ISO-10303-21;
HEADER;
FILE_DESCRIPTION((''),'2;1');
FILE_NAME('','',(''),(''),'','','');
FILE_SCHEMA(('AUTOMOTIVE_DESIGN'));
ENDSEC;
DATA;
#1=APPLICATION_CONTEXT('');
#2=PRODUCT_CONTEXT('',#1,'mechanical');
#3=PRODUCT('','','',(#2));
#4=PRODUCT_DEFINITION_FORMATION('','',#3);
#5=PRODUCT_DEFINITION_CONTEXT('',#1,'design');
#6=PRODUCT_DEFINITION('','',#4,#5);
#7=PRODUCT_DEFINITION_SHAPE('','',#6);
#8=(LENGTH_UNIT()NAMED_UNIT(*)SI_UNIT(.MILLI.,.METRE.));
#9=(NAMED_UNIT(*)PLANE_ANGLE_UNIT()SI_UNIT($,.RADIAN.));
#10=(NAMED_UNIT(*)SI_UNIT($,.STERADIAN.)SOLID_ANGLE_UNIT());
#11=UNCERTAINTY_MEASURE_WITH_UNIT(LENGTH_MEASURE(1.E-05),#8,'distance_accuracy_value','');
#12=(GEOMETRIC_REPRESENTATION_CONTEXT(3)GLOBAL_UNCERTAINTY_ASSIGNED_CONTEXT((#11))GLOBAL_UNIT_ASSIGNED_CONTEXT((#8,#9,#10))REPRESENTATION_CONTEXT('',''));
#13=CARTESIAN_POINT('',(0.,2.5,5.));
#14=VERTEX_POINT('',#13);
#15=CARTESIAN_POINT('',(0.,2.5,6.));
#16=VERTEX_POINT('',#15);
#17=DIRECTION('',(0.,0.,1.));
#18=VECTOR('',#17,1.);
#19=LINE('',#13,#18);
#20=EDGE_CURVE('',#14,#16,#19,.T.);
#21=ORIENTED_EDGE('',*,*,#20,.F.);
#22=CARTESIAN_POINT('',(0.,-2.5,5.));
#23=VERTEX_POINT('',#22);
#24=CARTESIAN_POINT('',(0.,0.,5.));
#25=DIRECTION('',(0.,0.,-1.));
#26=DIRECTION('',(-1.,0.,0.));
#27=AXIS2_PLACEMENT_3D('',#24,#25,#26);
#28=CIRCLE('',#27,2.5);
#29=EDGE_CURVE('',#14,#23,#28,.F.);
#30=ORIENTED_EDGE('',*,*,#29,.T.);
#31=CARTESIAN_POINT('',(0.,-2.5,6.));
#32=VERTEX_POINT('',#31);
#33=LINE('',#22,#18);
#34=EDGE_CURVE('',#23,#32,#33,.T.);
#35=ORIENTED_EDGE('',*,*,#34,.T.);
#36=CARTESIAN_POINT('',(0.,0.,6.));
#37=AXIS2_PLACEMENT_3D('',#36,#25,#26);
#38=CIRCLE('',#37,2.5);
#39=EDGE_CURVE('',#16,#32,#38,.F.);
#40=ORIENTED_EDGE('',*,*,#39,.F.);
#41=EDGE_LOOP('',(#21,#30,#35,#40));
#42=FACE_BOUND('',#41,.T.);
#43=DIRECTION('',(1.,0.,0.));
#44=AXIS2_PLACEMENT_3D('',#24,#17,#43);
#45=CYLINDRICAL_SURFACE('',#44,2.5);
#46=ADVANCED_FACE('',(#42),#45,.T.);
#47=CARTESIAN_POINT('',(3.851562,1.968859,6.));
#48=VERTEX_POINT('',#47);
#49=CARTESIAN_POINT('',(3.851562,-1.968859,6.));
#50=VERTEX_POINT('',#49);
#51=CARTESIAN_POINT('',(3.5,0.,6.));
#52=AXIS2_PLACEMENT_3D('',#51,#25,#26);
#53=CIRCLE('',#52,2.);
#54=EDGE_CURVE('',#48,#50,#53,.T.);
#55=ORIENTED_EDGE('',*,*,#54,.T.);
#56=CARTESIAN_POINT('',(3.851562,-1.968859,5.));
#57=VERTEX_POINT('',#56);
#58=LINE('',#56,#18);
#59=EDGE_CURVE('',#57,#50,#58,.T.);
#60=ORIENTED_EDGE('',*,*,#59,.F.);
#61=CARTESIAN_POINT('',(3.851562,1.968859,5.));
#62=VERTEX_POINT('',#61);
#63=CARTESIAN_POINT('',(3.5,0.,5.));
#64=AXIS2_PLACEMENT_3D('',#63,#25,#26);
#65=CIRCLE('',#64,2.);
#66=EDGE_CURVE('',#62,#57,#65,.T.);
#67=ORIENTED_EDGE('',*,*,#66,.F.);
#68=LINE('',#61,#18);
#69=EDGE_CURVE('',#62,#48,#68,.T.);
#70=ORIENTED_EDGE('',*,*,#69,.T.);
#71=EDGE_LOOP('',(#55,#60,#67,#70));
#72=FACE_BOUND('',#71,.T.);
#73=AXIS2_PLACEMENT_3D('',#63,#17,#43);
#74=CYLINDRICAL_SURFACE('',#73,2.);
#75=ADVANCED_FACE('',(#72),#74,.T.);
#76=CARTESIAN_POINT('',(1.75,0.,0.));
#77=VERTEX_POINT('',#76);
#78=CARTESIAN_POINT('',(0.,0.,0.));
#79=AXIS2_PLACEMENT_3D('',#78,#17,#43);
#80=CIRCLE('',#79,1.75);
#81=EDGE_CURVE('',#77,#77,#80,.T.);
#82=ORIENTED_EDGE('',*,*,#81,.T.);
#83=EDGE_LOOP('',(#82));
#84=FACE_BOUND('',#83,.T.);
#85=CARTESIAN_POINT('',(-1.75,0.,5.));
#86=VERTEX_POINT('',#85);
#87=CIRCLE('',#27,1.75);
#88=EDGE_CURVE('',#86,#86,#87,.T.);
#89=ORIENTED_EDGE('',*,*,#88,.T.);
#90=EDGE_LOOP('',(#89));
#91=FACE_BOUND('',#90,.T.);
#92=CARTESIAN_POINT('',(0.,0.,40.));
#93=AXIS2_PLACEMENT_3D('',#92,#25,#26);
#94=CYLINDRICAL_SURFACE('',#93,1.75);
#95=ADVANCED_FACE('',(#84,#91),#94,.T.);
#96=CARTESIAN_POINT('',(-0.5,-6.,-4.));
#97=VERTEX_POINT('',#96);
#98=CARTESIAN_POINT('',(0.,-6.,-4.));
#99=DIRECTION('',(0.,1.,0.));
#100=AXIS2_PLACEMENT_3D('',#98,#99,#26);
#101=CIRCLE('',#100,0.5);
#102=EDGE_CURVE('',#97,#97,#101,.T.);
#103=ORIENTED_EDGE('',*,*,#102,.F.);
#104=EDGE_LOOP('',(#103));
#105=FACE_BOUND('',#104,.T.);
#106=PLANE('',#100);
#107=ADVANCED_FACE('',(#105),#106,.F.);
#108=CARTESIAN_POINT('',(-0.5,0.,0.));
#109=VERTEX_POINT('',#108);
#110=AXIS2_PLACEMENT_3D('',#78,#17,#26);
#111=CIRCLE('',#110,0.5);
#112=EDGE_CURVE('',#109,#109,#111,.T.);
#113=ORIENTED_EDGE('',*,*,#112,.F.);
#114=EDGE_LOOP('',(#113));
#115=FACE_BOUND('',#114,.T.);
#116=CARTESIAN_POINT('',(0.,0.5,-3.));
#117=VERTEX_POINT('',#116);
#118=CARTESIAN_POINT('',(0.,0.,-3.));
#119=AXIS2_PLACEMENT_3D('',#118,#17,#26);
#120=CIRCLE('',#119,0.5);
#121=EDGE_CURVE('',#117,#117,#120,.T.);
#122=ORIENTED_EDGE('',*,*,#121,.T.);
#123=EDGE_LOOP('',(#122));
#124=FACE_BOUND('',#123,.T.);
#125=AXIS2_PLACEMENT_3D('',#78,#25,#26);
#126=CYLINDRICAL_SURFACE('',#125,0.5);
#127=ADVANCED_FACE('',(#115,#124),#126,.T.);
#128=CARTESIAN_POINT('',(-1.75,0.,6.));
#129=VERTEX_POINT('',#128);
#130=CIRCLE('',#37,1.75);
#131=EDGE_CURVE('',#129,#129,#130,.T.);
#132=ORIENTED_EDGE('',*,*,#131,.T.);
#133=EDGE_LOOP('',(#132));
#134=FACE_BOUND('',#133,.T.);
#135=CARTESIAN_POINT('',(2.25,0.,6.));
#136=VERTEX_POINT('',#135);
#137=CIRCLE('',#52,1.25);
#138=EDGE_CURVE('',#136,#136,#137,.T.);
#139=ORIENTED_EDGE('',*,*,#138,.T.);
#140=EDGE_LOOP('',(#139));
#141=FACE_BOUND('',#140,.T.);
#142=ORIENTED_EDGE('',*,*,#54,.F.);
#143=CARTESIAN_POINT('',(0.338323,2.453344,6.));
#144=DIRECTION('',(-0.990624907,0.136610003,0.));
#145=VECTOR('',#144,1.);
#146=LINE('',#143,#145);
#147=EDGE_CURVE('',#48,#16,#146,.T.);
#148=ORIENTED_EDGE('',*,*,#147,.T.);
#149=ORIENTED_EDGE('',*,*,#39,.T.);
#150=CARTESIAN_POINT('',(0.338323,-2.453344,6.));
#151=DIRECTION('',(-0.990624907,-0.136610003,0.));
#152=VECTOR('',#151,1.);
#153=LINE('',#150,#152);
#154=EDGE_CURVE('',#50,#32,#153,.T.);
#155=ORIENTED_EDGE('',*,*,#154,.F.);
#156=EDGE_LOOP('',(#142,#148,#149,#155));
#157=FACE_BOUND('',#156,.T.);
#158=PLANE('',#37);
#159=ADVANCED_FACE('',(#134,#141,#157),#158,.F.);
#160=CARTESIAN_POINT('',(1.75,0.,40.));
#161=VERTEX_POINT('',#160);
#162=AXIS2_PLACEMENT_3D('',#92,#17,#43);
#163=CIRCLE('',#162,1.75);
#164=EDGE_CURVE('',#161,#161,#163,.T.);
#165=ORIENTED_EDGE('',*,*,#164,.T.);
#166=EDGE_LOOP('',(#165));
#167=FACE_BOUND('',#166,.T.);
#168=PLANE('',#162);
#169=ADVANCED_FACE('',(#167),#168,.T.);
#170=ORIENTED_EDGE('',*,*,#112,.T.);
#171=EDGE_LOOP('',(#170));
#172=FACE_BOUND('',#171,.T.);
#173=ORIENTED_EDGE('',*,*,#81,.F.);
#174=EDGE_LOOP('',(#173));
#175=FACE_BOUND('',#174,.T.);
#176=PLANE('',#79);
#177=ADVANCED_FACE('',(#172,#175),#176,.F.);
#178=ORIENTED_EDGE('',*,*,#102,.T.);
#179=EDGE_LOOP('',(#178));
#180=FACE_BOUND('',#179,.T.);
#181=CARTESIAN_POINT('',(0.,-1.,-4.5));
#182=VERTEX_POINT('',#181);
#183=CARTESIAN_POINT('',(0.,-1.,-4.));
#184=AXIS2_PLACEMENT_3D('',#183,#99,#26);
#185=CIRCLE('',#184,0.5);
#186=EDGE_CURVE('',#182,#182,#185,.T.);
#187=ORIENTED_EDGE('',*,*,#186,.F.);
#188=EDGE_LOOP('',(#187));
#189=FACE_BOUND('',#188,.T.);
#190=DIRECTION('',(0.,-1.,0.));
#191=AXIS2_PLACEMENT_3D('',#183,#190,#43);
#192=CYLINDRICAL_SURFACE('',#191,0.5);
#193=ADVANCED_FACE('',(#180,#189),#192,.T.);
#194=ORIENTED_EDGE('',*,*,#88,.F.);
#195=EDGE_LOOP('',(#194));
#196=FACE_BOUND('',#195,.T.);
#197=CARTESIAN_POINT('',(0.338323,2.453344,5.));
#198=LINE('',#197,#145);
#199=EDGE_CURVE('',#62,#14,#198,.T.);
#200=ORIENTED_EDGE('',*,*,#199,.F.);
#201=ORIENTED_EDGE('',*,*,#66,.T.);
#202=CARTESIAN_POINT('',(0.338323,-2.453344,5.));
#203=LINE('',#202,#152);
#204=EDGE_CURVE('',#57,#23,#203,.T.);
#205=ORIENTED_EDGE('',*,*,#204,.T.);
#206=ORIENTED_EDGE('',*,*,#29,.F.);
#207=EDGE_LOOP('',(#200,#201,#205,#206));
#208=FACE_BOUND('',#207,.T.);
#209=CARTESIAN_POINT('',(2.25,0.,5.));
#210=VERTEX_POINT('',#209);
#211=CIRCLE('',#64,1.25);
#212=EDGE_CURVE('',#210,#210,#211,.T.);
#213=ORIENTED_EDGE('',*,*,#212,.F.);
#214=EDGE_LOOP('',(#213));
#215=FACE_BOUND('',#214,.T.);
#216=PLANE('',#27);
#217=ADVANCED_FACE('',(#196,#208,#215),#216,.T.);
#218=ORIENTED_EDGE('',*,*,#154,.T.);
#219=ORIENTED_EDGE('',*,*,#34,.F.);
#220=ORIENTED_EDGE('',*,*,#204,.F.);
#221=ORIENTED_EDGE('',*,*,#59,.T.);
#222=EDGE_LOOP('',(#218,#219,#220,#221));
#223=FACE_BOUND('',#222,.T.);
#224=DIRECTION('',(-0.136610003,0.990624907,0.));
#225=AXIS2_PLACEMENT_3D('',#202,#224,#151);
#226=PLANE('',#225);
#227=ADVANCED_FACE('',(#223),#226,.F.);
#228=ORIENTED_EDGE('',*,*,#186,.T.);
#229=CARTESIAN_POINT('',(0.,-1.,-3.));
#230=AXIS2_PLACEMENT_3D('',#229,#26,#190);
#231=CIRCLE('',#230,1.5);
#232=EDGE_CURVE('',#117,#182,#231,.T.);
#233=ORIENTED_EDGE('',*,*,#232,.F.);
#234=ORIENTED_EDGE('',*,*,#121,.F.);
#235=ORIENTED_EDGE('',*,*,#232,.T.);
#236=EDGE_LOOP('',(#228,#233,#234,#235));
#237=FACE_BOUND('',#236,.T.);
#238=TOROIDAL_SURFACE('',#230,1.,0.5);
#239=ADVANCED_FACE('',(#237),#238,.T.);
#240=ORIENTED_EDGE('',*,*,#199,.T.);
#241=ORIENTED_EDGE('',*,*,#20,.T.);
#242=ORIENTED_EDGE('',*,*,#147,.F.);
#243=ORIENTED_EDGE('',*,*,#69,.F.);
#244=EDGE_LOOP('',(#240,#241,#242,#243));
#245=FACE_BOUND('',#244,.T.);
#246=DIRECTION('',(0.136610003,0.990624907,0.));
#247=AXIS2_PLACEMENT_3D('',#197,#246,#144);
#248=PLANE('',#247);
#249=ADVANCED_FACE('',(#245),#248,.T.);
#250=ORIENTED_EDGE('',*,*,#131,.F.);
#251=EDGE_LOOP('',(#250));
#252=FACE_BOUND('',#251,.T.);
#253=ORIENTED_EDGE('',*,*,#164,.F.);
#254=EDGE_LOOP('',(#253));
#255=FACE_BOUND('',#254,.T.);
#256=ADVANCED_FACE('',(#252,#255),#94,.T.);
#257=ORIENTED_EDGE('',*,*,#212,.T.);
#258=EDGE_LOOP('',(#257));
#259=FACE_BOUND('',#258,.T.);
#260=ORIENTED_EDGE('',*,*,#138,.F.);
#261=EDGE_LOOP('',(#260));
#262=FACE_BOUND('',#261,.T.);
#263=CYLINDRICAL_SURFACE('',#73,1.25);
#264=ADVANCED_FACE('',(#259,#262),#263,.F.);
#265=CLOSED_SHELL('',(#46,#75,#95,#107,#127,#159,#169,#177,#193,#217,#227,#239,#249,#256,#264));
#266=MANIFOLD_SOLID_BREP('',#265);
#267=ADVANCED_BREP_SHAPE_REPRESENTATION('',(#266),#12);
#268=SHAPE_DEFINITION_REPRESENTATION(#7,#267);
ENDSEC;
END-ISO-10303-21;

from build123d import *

# Parameters (mm, degrees)
SKETCH1_R           = 1.75
BOSS_EXTRUDE1_DEPTH = 40
SWEEP1_PROFILE_R    = 0.5
SKETCH16_R          = 1.25
BOSS_EXTRUDE2_DEPTH = 1


with BuildPart() as part:
    # Sketch1 → Boss-Extrude1 (new body)
    with BuildSketch(Plane.XY):
        Circle(SKETCH1_R)
    extrude(amount=BOSS_EXTRUDE1_DEPTH)

    # Sweep1: sweep along a curve in space
    with BuildLine() as sweep1_path:
        Line((0, 0, 0), (0, 0, -3))
        ThreePointArc((0, 0, -3), (0, -0.292893219, -3.707106781), (0, -1, -4))
        Line((0, -1, -4), (0, -6, -4))
    # Sweep1 profile (on start of the path) → Sweep1 (sweep)
    with BuildSketch(Plane(origin=(0, 0, 0), x_dir=(-1, 0, 0), z_dir=(0, 0, -1))):
        Circle(SWEEP1_PROFILE_R)
    sweep(path=sweep1_path.line)

    # Sketch16 → Boss-Extrude2 (add)
    with BuildSketch(Plane(origin=(0, 0, 6), x_dir=(-1, 0, 0), z_dir=(0, 0, -1))):
        with BuildLine():
            Line((-3.851561771, 1.968858634), (0, 2.5))
            ThreePointArc((0, 2.5), (2.5, 0), (0, -2.5))
            Line((0, -2.5), (-3.851561771, -1.968858634))
            ThreePointArc((-3.851561771, -1.968858634), (-5.5, 0), (-3.851561771, 1.968858634))
        make_face()
        with Locations((-3.5, 0)):
            Circle(SKETCH16_R, mode=Mode.SUBTRACT)
    extrude(amount=BOSS_EXTRUDE2_DEPTH)


solid = part.part
